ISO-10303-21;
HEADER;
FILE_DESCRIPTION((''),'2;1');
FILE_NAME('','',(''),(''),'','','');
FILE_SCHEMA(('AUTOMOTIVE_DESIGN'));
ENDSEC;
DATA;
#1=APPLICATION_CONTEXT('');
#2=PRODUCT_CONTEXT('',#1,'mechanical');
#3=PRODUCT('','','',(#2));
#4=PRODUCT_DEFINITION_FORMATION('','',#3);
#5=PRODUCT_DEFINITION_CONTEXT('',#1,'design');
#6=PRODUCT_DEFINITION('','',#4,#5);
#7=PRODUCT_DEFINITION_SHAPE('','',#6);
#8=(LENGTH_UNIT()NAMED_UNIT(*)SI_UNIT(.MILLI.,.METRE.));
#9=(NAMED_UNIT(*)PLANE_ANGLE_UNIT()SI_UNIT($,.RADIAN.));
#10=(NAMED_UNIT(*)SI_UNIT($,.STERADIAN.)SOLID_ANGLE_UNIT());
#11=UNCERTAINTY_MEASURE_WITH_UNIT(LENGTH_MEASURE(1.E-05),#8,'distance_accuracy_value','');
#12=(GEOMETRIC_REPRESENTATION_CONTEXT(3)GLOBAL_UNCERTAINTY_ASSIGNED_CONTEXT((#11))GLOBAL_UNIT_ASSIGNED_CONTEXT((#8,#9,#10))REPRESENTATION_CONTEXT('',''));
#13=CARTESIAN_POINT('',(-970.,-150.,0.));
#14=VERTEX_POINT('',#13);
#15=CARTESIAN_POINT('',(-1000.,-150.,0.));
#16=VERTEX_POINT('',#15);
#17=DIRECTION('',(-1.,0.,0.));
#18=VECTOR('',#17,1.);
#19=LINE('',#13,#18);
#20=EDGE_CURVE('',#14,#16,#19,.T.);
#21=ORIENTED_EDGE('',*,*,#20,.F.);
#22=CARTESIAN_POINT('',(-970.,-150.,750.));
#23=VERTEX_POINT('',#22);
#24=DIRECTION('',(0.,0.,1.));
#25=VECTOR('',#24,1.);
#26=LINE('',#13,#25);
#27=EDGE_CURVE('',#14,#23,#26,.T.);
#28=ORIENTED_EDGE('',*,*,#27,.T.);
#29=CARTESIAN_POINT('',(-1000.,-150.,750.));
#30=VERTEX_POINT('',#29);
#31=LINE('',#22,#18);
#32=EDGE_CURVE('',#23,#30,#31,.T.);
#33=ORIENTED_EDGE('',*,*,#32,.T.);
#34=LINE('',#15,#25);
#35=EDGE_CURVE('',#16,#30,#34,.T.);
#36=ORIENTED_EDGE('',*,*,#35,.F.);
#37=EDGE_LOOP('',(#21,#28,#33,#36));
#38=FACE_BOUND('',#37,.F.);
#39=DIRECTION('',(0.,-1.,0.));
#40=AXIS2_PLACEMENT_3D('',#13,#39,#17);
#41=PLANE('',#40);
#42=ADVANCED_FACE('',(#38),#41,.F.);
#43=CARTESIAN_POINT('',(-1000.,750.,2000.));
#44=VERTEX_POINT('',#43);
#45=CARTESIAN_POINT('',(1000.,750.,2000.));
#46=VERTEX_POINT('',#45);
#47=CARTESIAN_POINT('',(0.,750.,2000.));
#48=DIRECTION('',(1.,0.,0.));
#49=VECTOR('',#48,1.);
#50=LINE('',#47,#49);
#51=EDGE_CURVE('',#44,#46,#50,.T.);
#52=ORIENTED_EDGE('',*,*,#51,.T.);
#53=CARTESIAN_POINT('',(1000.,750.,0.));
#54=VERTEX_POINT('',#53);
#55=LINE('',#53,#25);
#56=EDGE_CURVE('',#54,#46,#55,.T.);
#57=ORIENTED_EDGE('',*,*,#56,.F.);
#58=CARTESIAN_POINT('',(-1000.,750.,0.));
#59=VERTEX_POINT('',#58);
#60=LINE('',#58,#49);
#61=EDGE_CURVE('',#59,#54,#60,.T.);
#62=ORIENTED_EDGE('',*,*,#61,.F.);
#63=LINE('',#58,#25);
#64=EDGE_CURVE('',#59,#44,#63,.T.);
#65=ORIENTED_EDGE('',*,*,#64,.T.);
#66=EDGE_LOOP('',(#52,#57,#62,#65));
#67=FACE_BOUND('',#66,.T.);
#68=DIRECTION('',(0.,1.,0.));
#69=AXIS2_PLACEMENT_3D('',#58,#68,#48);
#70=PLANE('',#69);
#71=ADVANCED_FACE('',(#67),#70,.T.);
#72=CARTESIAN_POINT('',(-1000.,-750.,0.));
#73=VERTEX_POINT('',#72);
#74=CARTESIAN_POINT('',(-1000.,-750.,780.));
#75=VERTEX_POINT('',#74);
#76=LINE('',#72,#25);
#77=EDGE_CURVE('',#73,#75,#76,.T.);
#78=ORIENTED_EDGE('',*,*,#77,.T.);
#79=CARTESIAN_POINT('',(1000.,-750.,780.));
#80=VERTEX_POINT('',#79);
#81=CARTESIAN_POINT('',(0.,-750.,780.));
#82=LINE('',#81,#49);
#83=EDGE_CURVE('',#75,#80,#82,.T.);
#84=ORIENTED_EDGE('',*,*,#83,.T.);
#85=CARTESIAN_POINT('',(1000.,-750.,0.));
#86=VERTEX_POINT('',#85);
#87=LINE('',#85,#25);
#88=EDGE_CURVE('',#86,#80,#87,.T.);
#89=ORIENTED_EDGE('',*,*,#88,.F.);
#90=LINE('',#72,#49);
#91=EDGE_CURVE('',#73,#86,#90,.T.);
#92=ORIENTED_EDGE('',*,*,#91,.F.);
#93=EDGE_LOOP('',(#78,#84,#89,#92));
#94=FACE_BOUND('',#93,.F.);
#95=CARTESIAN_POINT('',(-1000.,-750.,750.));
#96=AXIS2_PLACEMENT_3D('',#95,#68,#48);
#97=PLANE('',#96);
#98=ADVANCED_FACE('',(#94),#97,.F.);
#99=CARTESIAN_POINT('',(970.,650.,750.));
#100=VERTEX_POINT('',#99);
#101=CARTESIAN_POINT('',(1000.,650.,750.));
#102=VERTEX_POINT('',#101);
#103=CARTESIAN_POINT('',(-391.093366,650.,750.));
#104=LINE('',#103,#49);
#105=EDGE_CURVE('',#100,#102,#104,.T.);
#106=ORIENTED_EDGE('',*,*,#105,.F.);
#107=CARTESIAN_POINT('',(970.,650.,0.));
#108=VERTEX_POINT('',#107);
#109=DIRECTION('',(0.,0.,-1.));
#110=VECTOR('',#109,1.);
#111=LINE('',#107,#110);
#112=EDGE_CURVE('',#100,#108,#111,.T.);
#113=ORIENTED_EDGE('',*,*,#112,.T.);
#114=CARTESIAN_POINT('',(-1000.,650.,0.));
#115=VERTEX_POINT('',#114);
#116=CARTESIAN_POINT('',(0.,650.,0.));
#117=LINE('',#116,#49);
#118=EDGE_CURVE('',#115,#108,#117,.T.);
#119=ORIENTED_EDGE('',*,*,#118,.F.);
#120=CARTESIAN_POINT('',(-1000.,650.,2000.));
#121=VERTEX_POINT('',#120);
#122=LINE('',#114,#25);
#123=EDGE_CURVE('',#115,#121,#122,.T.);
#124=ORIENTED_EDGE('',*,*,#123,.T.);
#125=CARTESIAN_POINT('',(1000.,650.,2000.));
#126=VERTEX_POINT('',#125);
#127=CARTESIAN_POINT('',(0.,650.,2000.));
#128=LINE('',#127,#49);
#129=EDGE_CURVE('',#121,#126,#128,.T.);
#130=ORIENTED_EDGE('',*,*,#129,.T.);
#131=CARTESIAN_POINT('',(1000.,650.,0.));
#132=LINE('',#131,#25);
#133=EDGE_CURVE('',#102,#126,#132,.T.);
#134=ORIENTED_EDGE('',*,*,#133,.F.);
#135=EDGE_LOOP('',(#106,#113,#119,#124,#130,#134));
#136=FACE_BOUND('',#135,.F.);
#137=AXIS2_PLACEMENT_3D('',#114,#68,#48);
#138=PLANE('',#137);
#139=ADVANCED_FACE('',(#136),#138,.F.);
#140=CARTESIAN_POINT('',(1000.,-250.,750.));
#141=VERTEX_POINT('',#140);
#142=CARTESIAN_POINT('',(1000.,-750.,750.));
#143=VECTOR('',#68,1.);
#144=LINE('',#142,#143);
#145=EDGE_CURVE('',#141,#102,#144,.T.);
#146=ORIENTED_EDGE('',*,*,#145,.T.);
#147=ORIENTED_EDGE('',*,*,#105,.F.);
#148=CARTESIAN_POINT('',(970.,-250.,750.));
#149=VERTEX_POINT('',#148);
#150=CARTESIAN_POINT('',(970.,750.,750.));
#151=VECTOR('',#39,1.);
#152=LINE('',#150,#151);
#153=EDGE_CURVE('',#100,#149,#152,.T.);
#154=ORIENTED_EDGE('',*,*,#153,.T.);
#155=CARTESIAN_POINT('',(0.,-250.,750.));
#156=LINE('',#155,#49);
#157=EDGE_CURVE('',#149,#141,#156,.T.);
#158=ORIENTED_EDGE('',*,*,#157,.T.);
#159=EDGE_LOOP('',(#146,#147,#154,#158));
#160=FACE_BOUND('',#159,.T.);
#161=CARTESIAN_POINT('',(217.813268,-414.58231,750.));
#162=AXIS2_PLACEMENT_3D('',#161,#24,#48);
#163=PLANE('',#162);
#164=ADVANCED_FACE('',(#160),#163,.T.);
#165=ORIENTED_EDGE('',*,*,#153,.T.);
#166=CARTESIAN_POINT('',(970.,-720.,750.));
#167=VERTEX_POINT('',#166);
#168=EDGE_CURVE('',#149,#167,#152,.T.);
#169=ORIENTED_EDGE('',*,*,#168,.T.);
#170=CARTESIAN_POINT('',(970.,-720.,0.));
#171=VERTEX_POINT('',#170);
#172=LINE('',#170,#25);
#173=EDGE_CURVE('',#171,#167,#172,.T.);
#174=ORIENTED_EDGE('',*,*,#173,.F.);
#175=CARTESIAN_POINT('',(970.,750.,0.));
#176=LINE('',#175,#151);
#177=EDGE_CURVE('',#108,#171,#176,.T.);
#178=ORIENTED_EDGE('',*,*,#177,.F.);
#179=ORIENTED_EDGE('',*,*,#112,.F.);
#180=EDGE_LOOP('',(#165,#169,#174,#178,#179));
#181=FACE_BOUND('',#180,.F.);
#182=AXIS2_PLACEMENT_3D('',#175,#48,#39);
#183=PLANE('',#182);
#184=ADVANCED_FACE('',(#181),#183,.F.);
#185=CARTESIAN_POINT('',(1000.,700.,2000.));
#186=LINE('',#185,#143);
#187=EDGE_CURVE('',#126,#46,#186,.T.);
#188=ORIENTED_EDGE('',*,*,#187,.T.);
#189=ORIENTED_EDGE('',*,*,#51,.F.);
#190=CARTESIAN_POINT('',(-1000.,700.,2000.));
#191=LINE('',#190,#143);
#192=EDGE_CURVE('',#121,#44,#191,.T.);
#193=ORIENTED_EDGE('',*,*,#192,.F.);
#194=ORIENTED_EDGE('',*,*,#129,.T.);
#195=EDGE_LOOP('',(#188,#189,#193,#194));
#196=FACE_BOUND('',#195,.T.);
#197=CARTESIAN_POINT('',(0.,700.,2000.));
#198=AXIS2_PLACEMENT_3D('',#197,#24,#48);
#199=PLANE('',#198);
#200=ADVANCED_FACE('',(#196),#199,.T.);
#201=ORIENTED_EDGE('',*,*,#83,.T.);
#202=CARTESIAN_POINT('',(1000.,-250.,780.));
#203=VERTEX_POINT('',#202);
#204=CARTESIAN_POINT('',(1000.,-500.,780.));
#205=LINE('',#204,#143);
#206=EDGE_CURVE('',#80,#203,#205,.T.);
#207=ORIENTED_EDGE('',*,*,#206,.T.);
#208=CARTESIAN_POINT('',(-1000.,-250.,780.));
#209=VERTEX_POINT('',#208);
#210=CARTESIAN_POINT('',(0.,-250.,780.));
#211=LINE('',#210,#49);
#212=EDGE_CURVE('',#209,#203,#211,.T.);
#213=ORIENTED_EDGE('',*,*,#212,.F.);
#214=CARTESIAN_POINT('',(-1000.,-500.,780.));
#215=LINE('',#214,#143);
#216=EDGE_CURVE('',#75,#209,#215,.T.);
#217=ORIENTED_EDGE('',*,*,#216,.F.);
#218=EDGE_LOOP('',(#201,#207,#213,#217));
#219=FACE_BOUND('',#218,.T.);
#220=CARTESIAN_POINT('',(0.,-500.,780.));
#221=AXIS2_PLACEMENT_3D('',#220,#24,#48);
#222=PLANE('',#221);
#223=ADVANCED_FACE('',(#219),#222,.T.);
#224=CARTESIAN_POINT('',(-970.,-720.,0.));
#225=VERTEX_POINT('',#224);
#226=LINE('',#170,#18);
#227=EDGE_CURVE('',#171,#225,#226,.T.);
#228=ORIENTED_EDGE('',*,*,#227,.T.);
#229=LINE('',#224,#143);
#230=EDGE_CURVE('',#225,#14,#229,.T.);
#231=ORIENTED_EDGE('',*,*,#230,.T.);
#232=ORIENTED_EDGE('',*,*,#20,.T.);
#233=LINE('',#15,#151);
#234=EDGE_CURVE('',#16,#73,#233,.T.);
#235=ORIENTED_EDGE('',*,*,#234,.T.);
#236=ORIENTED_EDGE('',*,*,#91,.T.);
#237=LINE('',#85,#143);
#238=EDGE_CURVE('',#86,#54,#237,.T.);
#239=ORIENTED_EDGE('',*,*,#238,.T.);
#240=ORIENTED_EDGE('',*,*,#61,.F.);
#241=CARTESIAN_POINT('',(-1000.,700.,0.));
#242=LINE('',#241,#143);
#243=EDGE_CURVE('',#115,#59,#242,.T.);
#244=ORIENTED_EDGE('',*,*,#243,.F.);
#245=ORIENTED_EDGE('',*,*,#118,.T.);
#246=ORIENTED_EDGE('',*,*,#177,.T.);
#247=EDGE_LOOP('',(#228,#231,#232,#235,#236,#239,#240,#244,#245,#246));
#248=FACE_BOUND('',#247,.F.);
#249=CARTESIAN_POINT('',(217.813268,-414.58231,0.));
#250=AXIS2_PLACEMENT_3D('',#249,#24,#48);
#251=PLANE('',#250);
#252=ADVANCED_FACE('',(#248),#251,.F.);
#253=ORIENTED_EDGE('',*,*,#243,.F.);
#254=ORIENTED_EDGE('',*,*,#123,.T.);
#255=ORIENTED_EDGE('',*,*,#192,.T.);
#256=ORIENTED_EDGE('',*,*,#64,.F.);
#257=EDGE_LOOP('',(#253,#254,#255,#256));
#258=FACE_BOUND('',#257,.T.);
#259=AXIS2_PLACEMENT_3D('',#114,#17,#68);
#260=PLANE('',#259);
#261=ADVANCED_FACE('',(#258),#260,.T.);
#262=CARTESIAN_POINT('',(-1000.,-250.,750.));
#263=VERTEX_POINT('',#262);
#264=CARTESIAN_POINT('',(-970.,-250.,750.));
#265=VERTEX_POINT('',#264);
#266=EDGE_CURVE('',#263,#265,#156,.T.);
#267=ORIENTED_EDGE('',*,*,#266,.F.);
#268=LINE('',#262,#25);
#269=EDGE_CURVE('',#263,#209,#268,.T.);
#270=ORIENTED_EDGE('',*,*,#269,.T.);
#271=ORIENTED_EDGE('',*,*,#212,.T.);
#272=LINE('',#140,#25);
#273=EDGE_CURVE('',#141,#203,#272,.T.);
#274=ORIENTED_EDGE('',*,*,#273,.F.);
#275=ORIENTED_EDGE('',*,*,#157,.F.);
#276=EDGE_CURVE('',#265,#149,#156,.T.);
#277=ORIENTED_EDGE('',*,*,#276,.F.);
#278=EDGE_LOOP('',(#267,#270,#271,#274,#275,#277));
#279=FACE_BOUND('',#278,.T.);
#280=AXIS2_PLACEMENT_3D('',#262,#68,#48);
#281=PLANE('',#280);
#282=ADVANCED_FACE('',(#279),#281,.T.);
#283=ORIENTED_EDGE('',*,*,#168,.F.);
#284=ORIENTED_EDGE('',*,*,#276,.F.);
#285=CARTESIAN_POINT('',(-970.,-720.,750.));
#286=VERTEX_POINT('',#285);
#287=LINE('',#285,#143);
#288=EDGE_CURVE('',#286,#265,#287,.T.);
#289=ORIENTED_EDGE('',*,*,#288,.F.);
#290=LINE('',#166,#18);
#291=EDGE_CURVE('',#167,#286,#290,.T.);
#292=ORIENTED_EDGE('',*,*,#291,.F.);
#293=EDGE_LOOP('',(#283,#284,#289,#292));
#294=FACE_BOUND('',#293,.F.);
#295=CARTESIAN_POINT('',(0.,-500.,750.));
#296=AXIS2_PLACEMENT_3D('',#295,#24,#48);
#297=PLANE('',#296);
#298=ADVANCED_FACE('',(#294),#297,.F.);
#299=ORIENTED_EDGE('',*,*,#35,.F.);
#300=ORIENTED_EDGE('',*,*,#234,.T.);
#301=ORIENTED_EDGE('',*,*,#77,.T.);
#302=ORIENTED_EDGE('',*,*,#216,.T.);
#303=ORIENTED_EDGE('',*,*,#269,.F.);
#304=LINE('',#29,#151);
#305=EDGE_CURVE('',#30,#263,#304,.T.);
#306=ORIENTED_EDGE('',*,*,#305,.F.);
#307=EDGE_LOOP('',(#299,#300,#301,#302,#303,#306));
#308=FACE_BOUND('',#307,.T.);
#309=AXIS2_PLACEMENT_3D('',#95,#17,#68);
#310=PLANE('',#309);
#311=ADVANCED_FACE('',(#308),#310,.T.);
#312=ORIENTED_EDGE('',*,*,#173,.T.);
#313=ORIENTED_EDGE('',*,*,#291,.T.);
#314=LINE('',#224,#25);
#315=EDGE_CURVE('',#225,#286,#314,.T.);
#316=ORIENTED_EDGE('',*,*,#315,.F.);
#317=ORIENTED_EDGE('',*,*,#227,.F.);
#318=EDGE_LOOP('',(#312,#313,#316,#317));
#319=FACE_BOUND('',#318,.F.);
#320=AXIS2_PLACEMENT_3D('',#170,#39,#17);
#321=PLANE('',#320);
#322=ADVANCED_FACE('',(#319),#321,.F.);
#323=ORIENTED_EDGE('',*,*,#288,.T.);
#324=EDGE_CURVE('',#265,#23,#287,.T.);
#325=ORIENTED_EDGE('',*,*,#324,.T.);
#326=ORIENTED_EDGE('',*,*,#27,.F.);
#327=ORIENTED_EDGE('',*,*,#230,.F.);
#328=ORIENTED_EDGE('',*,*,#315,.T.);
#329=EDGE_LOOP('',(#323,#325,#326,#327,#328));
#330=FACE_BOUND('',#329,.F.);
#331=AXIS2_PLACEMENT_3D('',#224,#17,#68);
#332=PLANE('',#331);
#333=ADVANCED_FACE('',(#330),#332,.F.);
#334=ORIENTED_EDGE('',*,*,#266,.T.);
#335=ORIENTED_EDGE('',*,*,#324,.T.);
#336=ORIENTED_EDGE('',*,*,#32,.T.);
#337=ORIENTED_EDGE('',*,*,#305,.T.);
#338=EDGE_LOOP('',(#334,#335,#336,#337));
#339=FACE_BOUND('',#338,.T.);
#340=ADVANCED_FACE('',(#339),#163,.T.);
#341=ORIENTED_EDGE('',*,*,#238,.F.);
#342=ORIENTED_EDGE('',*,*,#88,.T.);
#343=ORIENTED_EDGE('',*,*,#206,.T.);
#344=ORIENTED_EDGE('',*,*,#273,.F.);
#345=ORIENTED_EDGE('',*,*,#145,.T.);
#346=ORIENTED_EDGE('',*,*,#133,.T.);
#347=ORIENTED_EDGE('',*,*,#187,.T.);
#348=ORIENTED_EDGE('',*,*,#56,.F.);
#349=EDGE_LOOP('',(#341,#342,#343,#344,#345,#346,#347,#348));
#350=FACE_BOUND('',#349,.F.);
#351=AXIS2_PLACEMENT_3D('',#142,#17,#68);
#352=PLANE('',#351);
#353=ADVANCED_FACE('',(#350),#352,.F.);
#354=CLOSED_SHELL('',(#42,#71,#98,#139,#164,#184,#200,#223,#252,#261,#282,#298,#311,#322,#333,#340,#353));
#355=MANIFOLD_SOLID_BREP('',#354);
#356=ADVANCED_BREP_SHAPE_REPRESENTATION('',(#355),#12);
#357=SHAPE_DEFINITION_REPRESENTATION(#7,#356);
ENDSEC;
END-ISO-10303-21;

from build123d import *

# Parameters (mm, degrees)
F1_W     = 2000
F1_H     = 100
F2_DEPTH = 2000
F4_DEPTH = 750
F5_W     = 2000
F5_H     = 500
F6_DEPTH = 30


with BuildPart() as f2:
    # F1 (on Top) → F2 (new body)
    with BuildSketch(Plane.XY):
        with Locations((0, 700)):
            Rectangle(F1_W, F1_H)
    extrude(amount=F2_DEPTH)

    # F3 (on Top) → F4 (join)
    with BuildSketch(Plane.XY):
        Polygon((1000, -750), (1000, 750), (970, 750), (970, -720), (-970, -720), (-970, -150), (-1000, -150), (-1000, -750), align=None)
    extrude(amount=F4_DEPTH)

    # F5 (on face) → F6 (join)
    with BuildSketch(Plane.XY.offset(750)):
        with Locations((0, -500)):
            Rectangle(F5_W, F5_H)
    extrude(amount=F6_DEPTH)


with BuildPart() as f7_1:
    # F7: instance of F2
    add(f2.part.mirror(Plane.YZ))


solid = f2.part
